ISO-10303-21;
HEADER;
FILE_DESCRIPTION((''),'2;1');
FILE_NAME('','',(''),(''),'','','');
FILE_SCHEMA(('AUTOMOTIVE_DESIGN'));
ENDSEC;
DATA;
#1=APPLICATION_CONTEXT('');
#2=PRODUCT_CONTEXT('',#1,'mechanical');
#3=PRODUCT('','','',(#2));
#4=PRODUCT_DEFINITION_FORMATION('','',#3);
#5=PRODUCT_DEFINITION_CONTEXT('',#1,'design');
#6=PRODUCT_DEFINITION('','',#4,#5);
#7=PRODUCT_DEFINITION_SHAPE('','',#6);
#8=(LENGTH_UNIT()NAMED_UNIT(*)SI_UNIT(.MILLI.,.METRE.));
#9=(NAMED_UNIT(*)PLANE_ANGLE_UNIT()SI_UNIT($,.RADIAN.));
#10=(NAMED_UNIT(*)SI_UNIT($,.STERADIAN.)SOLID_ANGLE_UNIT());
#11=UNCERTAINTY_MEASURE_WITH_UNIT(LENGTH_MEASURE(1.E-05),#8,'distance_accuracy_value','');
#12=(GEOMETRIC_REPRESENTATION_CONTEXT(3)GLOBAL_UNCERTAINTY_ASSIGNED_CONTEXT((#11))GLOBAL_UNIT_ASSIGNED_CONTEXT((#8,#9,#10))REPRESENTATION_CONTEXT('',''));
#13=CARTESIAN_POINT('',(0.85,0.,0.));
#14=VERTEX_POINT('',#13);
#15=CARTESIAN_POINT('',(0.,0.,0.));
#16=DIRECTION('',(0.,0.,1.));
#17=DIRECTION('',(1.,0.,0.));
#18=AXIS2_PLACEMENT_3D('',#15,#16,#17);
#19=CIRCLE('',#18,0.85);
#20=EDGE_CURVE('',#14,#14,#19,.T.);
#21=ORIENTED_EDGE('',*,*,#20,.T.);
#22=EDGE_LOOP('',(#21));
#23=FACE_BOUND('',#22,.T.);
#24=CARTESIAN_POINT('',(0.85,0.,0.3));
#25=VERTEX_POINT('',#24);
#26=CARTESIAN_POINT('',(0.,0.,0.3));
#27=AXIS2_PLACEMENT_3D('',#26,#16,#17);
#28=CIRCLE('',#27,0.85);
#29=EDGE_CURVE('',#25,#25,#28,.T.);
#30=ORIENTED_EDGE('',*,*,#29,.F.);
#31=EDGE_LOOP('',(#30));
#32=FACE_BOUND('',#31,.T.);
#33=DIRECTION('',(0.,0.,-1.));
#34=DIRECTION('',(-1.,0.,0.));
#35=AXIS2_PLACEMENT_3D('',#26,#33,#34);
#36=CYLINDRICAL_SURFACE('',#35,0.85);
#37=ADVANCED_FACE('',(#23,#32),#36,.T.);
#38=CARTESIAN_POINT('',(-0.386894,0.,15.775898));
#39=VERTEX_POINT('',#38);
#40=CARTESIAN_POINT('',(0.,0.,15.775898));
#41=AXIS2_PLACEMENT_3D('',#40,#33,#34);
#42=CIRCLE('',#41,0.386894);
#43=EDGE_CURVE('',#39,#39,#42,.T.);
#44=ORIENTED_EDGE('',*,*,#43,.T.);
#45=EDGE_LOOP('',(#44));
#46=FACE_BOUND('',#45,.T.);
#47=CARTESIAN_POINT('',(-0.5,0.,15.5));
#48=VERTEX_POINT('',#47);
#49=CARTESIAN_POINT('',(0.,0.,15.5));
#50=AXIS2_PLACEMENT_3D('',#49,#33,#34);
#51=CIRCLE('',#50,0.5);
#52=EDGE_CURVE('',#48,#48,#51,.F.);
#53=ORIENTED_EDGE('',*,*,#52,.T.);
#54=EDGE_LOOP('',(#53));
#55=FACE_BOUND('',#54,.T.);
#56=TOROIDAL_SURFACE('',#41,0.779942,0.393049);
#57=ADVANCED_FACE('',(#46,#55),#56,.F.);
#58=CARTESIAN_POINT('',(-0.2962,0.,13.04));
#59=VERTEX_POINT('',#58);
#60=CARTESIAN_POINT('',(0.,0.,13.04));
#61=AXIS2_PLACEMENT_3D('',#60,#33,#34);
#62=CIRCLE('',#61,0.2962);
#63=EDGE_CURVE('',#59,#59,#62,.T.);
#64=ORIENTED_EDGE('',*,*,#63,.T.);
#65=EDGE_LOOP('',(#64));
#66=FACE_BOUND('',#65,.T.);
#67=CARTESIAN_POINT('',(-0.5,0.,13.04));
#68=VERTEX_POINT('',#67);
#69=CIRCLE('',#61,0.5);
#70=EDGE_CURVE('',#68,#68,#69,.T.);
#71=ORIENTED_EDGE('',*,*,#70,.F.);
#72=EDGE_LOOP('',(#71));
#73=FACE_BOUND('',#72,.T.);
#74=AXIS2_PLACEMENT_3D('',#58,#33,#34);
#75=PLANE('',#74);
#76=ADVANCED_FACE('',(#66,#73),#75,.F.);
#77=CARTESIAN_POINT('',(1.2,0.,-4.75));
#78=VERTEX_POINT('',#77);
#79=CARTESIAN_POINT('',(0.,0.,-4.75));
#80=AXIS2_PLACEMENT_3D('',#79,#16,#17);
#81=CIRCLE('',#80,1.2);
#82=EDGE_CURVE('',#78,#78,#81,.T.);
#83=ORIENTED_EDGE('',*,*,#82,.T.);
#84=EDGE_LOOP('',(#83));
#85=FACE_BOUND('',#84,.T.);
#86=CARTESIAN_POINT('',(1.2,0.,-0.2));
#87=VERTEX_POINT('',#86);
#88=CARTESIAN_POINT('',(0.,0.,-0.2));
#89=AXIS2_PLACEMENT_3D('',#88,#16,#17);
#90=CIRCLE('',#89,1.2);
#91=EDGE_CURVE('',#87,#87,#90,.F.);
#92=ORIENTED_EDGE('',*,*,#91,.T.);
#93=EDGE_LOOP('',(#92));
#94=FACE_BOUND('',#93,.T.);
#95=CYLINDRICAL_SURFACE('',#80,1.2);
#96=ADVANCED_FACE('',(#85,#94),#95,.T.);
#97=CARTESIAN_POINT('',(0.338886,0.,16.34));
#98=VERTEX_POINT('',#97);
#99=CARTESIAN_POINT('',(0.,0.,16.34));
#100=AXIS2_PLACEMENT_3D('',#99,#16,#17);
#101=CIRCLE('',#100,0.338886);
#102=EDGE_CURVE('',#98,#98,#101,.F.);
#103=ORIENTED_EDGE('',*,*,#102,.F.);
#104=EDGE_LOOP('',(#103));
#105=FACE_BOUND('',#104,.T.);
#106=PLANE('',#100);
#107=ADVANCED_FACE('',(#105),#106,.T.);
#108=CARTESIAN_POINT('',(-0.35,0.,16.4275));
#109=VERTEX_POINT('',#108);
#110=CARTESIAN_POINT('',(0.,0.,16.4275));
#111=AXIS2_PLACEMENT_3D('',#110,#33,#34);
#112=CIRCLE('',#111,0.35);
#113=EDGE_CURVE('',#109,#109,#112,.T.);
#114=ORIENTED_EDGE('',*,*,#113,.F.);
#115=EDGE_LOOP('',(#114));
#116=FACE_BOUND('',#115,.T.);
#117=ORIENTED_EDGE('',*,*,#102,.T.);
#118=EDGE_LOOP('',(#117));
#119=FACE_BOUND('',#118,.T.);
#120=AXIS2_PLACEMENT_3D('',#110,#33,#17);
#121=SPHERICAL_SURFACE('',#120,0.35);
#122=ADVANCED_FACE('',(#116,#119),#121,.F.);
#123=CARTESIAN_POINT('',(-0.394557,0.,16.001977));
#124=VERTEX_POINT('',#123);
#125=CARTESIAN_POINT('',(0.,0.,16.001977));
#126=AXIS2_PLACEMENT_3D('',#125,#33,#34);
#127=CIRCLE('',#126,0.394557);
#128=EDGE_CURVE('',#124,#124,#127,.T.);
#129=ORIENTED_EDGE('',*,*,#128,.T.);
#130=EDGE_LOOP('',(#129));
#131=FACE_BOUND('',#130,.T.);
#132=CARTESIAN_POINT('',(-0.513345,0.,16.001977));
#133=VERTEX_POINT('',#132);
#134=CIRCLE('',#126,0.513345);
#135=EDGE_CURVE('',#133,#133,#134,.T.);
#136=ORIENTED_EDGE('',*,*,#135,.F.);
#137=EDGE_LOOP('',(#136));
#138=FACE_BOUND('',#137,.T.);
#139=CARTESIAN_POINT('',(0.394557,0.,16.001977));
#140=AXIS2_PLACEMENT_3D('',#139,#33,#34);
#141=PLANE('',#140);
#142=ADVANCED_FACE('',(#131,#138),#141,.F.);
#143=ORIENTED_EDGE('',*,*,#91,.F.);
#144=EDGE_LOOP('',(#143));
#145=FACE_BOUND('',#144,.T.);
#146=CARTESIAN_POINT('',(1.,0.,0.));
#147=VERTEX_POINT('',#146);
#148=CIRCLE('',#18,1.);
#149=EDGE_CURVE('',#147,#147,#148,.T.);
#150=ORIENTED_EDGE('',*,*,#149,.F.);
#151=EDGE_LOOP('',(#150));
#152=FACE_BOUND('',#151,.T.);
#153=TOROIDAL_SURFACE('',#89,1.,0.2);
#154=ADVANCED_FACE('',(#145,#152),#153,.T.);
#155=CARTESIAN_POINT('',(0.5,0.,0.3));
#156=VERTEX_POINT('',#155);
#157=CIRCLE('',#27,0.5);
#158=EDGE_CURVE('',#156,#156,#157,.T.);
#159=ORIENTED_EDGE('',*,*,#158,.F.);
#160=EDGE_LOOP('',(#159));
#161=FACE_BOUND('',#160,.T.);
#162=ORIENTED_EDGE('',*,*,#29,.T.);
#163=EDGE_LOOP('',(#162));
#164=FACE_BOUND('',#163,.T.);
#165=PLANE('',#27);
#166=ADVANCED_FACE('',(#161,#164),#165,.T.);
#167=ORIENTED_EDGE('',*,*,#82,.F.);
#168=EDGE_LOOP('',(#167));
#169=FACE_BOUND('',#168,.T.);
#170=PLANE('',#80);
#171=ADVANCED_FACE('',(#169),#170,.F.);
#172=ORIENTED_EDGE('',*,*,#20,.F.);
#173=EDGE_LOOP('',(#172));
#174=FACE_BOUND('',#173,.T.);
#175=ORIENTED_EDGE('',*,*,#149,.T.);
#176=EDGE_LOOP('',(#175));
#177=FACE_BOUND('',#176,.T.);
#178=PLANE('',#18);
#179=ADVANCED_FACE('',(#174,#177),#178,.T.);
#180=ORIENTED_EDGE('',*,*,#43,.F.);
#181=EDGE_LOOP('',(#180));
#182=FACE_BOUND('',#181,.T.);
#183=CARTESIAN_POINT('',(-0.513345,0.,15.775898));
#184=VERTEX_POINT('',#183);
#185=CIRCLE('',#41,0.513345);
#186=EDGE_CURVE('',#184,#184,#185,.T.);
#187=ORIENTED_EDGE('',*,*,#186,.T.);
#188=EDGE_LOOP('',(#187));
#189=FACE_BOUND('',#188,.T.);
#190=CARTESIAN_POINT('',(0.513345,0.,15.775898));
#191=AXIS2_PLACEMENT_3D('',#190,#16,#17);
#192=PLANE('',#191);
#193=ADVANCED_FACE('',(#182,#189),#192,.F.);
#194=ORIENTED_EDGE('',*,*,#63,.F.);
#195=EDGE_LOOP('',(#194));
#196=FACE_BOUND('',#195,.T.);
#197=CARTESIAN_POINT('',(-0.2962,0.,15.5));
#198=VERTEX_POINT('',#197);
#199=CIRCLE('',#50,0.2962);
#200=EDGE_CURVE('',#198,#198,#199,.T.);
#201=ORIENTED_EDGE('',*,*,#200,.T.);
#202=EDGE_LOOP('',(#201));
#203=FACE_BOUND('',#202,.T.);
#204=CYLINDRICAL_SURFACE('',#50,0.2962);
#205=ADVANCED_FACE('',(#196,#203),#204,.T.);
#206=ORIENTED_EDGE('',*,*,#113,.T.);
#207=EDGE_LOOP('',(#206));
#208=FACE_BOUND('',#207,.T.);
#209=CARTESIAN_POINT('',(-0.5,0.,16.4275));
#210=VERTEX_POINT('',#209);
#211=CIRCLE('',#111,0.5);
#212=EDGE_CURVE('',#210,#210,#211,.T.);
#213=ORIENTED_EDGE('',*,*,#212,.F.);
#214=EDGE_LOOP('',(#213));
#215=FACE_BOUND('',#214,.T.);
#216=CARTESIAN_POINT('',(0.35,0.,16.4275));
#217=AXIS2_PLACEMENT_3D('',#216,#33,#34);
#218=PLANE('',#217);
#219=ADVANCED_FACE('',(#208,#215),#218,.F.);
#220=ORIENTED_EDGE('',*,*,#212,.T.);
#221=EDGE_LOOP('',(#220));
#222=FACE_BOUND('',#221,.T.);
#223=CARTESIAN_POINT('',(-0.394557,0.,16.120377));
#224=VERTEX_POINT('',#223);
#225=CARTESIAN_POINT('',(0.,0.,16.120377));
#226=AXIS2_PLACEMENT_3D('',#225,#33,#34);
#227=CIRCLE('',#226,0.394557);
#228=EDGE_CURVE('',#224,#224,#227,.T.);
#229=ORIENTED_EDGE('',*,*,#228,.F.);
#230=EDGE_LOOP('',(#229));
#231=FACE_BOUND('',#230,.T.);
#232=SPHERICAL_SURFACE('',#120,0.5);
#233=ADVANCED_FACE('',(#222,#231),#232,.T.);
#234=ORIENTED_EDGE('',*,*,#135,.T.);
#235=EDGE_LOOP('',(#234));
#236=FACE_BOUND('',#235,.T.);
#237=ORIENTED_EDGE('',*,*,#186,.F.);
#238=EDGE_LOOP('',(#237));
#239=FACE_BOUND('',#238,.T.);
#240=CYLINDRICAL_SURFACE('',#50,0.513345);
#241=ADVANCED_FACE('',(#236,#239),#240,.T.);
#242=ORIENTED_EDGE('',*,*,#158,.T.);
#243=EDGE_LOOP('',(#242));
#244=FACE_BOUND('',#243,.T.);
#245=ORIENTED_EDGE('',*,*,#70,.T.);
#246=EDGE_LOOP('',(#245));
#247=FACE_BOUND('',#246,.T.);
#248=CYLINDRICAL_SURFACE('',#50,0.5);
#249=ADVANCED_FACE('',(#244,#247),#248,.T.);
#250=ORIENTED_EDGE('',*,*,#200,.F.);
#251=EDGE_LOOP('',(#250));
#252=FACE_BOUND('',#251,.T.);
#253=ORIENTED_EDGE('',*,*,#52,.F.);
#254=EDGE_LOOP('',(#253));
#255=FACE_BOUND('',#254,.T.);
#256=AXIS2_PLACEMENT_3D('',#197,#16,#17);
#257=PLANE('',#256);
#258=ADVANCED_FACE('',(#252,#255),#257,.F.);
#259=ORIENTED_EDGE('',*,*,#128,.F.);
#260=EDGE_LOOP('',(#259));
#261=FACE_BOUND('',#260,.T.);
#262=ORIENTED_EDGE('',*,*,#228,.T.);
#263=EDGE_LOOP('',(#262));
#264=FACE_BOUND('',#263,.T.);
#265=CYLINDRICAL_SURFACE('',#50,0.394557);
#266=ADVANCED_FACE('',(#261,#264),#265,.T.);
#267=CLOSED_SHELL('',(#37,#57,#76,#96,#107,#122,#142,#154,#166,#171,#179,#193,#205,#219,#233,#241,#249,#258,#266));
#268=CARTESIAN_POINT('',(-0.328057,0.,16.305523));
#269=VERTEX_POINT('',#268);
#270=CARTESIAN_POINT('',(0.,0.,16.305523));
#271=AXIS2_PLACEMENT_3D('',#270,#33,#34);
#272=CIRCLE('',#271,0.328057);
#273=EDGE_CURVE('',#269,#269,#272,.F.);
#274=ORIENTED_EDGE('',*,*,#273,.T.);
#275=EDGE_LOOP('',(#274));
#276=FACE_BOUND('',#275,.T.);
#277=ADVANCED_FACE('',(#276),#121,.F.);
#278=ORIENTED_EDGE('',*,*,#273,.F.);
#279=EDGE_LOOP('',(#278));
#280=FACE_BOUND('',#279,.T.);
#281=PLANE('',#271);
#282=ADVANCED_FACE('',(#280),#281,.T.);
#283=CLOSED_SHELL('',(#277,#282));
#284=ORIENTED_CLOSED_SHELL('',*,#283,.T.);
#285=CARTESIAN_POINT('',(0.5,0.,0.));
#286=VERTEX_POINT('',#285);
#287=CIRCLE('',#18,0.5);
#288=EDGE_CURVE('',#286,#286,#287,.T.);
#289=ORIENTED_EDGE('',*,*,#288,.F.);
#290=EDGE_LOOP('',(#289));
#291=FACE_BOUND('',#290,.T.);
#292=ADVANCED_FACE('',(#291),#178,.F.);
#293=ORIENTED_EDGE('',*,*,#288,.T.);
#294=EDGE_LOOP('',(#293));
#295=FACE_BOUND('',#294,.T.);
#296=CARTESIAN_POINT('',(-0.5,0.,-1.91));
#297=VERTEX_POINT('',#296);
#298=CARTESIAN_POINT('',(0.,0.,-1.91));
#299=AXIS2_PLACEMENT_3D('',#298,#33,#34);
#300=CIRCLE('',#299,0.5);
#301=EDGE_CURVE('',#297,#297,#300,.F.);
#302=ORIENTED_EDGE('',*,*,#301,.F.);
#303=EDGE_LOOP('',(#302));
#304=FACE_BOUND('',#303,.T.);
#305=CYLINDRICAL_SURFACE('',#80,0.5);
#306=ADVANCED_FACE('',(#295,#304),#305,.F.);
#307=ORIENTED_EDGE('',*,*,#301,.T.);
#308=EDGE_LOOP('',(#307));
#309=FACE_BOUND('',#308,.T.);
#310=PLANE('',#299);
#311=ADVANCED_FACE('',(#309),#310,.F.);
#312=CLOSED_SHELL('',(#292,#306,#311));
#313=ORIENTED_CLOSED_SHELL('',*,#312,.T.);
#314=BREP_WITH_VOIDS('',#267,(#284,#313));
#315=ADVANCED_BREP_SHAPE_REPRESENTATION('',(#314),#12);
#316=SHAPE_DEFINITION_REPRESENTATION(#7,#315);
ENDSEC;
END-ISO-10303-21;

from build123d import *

# Parameters (mm, degrees)
SKETCH1_R           = 0.5
BOSS_EXTRUDE1_DEPTH = 15.5
SKETCH1_3_R         = 1.2
SKETCH1_3_R_2       = 0.5
BOSS_EXTRUDE2_DEPTH = 4.75
FILLET1_R           = 0.2
SKETCH2_R           = 0.85
BOSS_EXTRUDE3_DEPTH = 0.3
SKETCH4_W           = 0.465575533
SKETCH4_H           = 0.034477487
SKETCH5_W           = 1.257485092
SKETCH5_H           = 2.46
SKETCH6_R           = 0.5
BOSS_EXTRUDE4_DEPTH = 2.84


with BuildPart() as part:
    # Sketch1 → Boss-Extrude1 (new body)
    with BuildSketch(Plane.XY):
        Circle(SKETCH1_R)
    extrude(amount=BOSS_EXTRUDE1_DEPTH)



with BuildPart() as body_2:
    # Sketch1<3> → Boss-Extrude2 (new body)
    with BuildSketch(Plane.XY):
        Circle(SKETCH1_3_R)
        Circle(SKETCH1_3_R_2, mode=Mode.SUBTRACT)
    extrude(amount=-BOSS_EXTRUDE2_DEPTH)

    # Fillet1
    fillet1_edges = [body_2.edges().sort_by_distance(p)[0] for p in [
        (-1.2, 0, 0),
    ]]
    fillet(fillet1_edges, radius=FILLET1_R)


with BuildPart() as part_1:
    add(part.part)

    add(body_2.part)  # Boss-Extrude3 merges body 2
    # Sketch2 → Boss-Extrude3 (add)
    with BuildSketch(Plane.XY):
        Circle(SKETCH2_R)
    extrude(amount=BOSS_EXTRUDE3_DEPTH)

    # Sketch3 → Revolve1 (revolve)
    with BuildSketch(Plane(origin=(0, 0, 0), x_dir=(1, 0, 0), z_dir=(0, 1, 0))):
        with BuildLine():
            Line((0.5, -15.5), (0, -15.5))
            Line((0, -15.5), (0, -16.0775))
            ThreePointArc((0, -16.0775), (0.247487373, -16.180012627), (0.35, -16.4275))
            Line((0.35, -16.4275), (0.5, -16.4275))
            ThreePointArc((0.5, -16.4275), (0.472905202, -16.265140307), (0.39455732, -16.120377026))
            Line((0.39455732, -16.120377026), (0.39455732, -16.001977042))
            Line((0.39455732, -16.001977042), (0.513344718, -16.001977042))
            Line((0.513344718, -16.001977042), (0.513344718, -15.7758978))
            Line((0.513344718, -15.7758978), (0.386893617, -15.7758978))
            ThreePointArc((0.386893617, -15.7758978), (0.416267844, -15.626806679), (0.5, -15.5))
        make_face()
    revolve(axis=Axis((0, 0, 15.5), (0, 0, 1)))

    # Sketch4 → Revolve2 (revolve)
    with BuildSketch(Plane(origin=(0, 0, 0), x_dir=(1, 0, 0), z_dir=(0, 1, 0))):
        with Locations((-0.232787767, -16.322761257)):
            Rectangle(SKETCH4_W, SKETCH4_H)
    revolve(axis=Axis((0, 0, 16.305522513), (0, 0, 1)))

    # Sketch5 → Cut-Revolve1 (revolve, cut)
    with BuildSketch(Plane(origin=(0, 0, 0), x_dir=(1, 0, 0), z_dir=(0, 1, 0))):
        with Locations((-0.924942546, -14.27)):
            Rectangle(SKETCH5_W, SKETCH5_H)
    revolve(axis=Axis((0, 0, 15.5), (0, 0, 1)), mode=Mode.SUBTRACT)

    # Sketch6 → Boss-Extrude4 (add)
    with BuildSketch(Plane(origin=(0, 0, -4.75), x_dir=(-1, 0, 0), z_dir=(0, 0, -1))):
        Circle(SKETCH6_R)
    extrude(amount=-BOSS_EXTRUDE4_DEPTH)


solid = part_1.part
